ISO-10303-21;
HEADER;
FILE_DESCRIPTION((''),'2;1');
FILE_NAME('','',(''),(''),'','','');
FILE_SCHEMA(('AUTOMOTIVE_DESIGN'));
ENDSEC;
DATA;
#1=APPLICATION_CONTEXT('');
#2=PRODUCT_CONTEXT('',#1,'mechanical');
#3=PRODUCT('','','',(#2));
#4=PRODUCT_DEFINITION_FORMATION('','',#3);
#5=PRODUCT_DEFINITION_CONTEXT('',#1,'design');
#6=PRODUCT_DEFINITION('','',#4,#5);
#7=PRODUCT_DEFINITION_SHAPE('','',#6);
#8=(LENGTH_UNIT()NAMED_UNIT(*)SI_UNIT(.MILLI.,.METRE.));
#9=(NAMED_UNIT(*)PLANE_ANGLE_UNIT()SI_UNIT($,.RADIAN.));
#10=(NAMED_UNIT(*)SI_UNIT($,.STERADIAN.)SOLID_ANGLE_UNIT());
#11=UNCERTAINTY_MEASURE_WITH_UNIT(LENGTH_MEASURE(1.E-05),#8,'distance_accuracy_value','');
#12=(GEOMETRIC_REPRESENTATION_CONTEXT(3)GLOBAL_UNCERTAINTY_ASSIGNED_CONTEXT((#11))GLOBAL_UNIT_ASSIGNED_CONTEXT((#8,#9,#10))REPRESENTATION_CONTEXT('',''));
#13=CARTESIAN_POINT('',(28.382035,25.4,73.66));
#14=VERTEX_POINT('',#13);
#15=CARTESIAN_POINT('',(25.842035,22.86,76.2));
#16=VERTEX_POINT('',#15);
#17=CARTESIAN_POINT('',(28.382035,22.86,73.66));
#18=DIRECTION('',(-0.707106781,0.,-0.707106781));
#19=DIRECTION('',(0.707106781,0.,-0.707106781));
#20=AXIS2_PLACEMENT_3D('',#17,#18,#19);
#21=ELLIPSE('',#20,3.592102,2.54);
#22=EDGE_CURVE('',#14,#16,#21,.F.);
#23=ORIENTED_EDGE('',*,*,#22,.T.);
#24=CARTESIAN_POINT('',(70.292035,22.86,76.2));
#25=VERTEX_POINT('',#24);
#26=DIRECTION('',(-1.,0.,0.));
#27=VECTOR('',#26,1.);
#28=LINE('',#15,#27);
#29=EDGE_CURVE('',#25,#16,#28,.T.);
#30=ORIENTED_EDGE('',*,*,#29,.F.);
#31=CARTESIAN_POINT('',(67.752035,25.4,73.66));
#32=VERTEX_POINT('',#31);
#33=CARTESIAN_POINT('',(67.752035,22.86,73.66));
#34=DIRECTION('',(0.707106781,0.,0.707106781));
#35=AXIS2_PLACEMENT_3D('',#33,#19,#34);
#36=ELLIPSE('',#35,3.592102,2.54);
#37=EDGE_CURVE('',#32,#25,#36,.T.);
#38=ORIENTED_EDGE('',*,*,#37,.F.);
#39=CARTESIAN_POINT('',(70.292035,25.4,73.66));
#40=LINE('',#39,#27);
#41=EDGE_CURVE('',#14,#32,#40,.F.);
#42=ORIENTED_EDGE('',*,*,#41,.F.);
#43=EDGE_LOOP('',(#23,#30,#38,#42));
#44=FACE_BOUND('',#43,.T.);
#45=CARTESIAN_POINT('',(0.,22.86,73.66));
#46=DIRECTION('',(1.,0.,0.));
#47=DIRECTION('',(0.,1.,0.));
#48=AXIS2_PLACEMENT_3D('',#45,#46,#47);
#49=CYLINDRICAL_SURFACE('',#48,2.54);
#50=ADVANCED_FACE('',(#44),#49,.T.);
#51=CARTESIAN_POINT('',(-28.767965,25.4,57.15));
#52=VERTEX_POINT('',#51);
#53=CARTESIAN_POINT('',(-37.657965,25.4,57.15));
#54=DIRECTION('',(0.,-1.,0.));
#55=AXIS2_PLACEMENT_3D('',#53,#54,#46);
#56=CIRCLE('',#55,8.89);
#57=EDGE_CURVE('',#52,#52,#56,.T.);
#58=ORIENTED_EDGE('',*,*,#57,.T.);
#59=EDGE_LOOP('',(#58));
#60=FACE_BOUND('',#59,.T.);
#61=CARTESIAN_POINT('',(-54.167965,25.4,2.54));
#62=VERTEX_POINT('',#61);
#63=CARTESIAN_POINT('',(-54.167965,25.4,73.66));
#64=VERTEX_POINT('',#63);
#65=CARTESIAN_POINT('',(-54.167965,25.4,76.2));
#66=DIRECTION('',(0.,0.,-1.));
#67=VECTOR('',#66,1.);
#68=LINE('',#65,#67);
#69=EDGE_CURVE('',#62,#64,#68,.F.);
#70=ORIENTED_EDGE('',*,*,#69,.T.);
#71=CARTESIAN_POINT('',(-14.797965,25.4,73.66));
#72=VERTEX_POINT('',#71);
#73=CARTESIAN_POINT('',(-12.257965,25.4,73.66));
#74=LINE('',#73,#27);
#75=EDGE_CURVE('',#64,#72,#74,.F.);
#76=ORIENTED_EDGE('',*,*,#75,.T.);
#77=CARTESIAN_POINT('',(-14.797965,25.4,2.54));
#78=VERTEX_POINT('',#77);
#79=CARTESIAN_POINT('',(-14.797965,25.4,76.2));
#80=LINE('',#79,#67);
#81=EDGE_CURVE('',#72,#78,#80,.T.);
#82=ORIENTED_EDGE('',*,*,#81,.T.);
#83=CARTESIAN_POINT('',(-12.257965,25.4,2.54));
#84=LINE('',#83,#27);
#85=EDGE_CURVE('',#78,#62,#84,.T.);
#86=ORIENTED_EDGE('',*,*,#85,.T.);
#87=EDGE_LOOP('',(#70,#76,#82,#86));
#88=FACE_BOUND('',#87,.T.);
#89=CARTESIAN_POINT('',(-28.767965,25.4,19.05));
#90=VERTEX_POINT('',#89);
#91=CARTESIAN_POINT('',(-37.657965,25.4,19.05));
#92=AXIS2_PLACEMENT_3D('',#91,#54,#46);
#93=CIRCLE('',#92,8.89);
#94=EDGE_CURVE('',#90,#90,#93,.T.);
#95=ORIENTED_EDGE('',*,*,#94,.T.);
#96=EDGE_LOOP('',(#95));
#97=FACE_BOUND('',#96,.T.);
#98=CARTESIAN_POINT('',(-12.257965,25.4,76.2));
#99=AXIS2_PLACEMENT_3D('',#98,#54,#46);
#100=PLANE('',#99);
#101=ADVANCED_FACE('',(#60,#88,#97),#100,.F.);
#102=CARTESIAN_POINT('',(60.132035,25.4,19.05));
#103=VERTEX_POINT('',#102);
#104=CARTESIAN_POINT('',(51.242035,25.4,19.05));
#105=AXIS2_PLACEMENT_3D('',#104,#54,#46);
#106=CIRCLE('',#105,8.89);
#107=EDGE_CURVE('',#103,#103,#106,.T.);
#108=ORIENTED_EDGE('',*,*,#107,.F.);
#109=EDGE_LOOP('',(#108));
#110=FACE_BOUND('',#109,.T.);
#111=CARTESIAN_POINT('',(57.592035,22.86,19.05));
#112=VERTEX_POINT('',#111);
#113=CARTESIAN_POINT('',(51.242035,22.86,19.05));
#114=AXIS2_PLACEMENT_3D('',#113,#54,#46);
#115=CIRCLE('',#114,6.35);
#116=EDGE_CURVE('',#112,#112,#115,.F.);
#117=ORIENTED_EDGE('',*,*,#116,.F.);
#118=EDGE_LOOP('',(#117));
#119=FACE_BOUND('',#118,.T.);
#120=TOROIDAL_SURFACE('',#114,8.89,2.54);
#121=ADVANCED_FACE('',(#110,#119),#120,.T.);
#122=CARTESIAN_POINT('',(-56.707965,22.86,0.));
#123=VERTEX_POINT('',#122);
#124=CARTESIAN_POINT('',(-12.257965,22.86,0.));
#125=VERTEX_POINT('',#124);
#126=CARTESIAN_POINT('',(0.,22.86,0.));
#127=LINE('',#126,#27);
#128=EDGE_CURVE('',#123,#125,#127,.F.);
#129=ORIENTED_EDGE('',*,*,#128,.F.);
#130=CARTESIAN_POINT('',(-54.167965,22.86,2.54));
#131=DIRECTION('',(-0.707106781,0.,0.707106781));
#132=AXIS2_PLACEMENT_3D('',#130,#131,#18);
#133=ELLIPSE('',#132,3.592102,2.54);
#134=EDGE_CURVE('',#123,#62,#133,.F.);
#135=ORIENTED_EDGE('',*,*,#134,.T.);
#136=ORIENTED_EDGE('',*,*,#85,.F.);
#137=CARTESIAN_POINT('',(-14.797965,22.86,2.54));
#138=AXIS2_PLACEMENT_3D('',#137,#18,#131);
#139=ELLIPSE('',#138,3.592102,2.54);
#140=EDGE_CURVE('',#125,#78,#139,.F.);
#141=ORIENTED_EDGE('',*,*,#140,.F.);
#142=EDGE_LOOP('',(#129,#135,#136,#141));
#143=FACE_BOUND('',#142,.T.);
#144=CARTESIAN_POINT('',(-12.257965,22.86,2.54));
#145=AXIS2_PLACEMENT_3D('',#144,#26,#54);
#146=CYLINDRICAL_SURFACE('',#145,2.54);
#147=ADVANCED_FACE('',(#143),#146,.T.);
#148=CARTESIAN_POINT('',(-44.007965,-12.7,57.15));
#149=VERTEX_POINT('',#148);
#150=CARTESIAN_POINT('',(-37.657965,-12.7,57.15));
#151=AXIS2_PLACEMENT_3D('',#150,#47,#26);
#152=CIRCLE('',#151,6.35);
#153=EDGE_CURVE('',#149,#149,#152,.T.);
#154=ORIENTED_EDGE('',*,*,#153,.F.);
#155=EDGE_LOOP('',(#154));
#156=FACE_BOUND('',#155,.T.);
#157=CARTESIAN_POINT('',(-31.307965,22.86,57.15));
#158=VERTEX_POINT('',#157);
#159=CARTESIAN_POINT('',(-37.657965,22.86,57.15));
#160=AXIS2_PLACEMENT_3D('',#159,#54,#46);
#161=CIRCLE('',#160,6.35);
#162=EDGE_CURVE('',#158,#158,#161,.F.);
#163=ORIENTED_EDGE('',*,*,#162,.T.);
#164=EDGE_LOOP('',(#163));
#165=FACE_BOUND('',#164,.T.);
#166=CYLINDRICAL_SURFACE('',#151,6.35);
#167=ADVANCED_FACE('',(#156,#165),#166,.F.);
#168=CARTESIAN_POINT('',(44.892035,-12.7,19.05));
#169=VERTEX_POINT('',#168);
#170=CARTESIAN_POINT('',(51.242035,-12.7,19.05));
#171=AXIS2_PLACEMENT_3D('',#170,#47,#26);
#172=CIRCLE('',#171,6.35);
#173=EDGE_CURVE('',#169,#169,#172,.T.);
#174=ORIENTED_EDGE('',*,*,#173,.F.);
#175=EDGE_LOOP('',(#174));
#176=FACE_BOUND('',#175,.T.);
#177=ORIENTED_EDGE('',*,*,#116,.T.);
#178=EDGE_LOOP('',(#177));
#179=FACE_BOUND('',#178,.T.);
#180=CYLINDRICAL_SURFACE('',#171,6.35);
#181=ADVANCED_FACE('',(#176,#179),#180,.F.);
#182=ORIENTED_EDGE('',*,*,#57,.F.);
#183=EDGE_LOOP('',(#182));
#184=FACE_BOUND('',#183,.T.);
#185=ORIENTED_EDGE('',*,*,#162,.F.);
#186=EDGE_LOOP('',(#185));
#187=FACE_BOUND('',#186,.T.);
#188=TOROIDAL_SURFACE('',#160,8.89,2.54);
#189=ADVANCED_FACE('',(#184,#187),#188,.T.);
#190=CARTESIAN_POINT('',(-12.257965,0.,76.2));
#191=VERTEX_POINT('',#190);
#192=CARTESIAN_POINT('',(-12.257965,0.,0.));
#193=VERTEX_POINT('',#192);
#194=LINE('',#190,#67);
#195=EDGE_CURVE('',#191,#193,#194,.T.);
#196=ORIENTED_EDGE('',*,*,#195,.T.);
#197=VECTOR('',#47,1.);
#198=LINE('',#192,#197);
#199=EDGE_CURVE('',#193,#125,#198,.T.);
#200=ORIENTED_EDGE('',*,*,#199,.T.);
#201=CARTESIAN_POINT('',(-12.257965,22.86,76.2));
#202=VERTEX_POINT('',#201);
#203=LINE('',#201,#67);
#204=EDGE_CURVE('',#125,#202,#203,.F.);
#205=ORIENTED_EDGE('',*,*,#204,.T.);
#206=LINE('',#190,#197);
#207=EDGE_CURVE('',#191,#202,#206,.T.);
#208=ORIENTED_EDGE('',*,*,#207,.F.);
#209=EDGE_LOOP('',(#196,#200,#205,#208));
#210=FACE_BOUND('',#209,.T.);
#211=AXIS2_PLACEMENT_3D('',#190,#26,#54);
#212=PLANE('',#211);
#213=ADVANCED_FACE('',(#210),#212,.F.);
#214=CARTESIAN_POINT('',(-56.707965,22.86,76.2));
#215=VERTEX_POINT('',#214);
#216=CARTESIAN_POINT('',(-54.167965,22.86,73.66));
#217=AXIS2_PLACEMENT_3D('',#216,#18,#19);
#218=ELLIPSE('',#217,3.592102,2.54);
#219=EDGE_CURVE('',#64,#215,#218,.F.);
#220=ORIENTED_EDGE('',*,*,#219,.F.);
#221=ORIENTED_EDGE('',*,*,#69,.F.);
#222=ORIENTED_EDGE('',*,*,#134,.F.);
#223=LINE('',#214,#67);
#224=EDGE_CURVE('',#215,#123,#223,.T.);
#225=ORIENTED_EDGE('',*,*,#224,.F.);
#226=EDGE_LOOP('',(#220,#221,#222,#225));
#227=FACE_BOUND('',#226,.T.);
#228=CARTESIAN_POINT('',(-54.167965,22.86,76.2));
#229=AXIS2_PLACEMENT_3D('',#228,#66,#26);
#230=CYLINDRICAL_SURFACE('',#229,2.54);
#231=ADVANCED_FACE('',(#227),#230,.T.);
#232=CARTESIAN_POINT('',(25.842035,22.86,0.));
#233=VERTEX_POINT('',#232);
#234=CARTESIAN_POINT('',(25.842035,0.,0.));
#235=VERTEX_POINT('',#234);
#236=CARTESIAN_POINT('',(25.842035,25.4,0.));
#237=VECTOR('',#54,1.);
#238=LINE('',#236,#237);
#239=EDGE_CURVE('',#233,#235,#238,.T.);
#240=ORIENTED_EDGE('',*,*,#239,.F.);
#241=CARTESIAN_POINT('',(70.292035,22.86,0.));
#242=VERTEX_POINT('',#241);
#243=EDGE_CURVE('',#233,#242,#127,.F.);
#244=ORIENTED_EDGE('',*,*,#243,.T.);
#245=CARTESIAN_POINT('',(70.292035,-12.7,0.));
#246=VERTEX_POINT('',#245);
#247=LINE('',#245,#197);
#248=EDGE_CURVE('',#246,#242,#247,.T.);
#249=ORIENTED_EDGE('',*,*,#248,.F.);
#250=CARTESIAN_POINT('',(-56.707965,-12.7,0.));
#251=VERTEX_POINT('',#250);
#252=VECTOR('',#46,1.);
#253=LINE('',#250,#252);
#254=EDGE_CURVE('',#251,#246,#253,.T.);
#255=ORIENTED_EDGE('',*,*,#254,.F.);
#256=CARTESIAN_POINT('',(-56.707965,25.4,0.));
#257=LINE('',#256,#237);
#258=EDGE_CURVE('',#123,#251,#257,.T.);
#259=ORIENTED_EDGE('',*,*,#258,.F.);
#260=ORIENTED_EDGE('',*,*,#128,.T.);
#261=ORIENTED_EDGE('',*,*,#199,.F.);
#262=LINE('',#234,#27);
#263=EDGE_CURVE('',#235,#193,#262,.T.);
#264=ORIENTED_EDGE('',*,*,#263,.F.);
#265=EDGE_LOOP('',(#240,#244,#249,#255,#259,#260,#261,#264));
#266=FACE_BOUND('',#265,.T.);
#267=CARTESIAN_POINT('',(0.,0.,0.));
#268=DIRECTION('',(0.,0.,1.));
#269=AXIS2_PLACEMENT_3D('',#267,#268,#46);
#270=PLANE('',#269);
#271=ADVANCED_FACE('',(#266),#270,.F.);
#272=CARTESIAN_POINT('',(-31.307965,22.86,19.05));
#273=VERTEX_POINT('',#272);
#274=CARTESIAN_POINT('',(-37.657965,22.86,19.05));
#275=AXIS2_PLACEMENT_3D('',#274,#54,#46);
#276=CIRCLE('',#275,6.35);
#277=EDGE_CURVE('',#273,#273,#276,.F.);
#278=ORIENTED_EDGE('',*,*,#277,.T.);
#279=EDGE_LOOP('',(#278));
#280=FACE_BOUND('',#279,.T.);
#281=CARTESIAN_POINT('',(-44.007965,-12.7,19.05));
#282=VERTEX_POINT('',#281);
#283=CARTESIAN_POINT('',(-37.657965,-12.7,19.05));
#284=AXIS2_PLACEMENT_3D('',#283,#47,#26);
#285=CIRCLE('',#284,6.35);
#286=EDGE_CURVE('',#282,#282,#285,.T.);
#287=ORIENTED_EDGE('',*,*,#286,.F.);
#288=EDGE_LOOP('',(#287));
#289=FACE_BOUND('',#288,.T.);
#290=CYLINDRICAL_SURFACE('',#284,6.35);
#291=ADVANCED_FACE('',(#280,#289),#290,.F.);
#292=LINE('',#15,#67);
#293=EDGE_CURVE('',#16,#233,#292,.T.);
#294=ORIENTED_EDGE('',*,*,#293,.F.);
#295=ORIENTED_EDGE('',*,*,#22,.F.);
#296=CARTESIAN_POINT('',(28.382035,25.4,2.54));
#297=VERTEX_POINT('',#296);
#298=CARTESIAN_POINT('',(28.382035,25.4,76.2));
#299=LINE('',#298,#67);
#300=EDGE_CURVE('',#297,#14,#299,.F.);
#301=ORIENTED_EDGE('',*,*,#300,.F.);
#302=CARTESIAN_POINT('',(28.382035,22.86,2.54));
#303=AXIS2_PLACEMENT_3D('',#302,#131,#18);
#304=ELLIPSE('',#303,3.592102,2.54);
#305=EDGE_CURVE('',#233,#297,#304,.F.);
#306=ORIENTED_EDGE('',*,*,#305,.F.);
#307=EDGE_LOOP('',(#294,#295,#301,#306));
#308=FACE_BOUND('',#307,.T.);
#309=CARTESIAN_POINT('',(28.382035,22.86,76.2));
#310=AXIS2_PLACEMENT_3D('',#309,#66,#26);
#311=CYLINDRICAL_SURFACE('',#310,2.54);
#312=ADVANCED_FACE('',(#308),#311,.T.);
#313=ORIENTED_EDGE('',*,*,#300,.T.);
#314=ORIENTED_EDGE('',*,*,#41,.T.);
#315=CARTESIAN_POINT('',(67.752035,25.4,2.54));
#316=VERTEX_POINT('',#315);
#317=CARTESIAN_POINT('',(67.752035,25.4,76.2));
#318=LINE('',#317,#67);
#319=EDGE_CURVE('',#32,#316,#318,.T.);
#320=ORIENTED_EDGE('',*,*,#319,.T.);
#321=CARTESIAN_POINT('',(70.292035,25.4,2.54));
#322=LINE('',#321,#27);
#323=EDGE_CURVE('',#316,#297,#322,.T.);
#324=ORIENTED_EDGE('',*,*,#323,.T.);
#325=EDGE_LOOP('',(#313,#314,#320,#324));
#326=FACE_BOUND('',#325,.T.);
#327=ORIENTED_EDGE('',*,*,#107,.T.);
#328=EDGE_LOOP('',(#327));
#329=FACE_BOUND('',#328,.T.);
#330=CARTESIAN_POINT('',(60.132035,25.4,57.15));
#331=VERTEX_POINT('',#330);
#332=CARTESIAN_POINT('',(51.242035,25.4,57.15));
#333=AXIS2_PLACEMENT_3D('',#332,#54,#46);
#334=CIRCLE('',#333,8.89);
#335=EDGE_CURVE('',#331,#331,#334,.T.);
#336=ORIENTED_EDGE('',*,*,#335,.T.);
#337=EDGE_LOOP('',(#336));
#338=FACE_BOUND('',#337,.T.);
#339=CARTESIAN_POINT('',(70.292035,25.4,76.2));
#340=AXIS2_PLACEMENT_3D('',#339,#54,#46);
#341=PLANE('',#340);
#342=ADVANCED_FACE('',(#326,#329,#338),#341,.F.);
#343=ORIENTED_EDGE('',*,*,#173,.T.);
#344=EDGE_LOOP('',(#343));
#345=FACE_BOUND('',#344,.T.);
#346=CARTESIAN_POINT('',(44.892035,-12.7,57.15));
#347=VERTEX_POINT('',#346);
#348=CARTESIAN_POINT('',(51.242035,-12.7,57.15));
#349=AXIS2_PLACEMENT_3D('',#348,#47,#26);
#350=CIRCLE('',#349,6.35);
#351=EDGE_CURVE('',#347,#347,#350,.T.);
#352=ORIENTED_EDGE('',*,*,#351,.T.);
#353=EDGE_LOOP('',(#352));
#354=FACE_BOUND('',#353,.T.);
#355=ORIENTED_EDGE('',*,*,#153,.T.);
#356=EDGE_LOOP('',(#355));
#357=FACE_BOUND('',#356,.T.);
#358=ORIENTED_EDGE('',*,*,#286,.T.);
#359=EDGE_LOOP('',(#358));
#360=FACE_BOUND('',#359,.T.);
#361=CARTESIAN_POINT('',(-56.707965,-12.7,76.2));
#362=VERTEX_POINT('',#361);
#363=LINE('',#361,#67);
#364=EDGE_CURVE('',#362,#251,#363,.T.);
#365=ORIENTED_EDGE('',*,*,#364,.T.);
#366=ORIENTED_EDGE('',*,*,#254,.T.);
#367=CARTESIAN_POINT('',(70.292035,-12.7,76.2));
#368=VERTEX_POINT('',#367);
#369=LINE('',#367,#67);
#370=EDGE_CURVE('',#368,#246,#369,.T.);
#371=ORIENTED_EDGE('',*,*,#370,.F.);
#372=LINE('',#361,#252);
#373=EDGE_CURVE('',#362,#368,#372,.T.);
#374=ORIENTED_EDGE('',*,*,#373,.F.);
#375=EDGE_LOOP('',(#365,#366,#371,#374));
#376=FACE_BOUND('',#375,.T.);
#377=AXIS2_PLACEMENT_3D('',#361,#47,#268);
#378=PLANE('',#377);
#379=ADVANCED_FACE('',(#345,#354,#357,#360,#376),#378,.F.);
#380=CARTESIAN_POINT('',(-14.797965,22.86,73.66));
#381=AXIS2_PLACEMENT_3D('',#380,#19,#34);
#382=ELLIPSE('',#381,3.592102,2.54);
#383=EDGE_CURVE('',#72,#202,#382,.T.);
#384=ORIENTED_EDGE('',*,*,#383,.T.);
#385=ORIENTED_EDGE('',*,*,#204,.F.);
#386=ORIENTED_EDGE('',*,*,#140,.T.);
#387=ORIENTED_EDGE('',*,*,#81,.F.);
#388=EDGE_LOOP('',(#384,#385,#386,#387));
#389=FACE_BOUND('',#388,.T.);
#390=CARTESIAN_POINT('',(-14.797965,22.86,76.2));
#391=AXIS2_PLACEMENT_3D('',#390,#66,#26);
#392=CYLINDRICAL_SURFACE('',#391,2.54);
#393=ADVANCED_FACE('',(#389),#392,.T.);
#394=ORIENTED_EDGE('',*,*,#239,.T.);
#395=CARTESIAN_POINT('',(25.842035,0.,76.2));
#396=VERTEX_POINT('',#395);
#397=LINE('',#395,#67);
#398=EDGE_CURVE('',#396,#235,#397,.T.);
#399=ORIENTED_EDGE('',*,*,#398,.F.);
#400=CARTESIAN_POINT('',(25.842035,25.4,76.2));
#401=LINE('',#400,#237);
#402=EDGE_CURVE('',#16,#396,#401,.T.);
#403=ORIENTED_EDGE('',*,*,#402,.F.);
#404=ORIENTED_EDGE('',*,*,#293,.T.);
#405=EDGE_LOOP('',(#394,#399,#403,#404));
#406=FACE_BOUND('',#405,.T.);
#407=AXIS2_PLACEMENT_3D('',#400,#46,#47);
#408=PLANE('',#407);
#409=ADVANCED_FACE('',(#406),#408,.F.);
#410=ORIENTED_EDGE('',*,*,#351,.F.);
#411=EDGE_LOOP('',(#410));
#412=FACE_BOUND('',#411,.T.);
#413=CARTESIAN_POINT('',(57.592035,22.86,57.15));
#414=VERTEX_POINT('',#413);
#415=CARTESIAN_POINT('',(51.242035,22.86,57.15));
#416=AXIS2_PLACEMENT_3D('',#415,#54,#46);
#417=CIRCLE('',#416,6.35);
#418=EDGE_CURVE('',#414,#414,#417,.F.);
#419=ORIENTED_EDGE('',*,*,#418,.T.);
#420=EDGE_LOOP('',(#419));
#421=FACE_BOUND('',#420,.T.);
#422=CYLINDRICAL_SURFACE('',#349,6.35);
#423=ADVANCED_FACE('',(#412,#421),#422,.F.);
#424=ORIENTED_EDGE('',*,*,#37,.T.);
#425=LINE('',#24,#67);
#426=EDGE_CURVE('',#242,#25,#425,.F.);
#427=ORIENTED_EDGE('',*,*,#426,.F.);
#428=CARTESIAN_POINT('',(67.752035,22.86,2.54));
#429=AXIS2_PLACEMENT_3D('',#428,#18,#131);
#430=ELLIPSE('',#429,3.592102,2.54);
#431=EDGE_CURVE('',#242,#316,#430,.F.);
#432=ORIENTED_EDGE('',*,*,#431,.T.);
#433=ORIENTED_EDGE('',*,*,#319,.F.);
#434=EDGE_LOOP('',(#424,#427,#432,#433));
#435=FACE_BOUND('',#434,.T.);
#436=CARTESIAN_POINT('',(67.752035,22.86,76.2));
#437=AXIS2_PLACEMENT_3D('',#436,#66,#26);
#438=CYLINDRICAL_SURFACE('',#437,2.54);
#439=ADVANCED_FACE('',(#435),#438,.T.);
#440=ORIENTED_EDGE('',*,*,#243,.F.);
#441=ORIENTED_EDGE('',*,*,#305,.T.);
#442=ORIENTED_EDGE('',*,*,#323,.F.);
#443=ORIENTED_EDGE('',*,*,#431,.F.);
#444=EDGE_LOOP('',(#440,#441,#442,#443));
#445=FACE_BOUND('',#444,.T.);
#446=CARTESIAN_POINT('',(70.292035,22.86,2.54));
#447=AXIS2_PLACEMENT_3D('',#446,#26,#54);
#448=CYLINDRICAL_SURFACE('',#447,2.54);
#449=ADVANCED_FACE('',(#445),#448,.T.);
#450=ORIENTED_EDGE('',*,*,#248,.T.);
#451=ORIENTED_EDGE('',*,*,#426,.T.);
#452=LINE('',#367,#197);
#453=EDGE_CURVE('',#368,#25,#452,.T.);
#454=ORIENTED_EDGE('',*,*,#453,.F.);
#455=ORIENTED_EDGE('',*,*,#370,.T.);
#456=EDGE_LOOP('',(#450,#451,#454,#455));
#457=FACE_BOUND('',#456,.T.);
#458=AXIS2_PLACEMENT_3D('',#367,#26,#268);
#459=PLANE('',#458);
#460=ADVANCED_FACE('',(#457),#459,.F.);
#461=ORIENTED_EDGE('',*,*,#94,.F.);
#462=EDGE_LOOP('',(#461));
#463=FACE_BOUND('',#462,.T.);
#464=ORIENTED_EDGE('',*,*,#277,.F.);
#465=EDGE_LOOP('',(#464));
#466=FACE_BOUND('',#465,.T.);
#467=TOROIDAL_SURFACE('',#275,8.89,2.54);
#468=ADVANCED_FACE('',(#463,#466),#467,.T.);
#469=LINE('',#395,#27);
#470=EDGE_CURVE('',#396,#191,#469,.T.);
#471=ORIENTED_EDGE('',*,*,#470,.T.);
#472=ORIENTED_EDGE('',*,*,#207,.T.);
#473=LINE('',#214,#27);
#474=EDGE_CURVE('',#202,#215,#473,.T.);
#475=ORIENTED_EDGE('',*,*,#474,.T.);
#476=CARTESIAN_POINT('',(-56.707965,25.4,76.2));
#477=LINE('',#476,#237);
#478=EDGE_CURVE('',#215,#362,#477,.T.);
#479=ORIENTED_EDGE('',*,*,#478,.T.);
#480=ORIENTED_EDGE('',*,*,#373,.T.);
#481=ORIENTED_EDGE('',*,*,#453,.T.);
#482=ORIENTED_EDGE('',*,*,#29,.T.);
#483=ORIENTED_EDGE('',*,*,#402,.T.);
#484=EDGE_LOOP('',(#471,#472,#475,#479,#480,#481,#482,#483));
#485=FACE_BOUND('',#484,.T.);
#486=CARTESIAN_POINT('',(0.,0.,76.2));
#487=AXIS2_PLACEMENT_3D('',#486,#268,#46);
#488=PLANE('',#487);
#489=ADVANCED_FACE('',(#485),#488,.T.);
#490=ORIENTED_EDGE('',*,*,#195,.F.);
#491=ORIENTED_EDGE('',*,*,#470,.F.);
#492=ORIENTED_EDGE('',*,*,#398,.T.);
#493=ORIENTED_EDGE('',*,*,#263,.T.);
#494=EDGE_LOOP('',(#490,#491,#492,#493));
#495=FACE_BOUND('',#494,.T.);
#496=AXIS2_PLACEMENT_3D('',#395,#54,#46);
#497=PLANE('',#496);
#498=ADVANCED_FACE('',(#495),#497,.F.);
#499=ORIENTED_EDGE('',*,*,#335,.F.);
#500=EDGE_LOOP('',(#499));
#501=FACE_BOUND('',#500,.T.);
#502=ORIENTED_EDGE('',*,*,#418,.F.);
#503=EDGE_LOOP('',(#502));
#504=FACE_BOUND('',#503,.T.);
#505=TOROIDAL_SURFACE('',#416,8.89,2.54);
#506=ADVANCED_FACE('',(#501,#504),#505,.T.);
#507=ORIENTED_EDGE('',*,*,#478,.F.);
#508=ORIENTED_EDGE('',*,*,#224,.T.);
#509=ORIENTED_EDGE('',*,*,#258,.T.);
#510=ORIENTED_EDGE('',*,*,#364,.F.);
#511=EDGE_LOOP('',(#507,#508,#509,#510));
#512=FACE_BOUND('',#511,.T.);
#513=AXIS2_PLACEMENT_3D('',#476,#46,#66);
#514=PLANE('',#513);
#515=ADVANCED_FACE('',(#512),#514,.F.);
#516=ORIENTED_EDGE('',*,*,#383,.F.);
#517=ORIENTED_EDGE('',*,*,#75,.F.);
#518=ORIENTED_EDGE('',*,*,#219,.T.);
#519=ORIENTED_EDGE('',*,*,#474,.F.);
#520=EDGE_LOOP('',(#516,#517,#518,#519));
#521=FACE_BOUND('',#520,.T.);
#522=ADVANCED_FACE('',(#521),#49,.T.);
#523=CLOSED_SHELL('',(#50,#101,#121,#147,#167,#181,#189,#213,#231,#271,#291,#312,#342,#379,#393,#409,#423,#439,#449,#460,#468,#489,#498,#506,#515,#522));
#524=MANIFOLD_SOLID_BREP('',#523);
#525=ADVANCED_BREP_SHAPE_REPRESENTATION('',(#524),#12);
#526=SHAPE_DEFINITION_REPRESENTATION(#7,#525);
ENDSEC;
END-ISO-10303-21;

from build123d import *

# Parameters (mm, degrees)
BOSS_EXTRUDE1_DEPTH = 76.2
SKETCH2_R           = 6.35
CUT_EXTRUDE1_DEPTH  = 111.449174947
FILLET1_R           = 2.54


with BuildPart() as part:
    # Sketch1 → Boss-Extrude1 (new body)
    with BuildSketch(Plane.XY):
        Polygon((-56.707964559, -12.7), (70.292035441, -12.7), (70.292035441, 25.4), (25.842035441, 25.4), (25.842035441, 0), (-12.257964559, 0), (-12.257964559, 25.4), (-56.707964559, 25.4), align=None)
    extrude(amount=BOSS_EXTRUDE1_DEPTH)

    # Sketch2 → Cut-Extrude1 (cut, through all)
    with BuildSketch(Plane(origin=(0, 25.4, 0), x_dir=(1, 0, 0), z_dir=(0, 1, 0))):
        with Locations(Location((-37.657964559, -19.05, 0), (0, 0, 180))):
            Circle(SKETCH2_R)
        with Locations(Location((-37.657964559, -57.15, 0), (0, 0, 180))):
            Circle(SKETCH2_R)
        with Locations(Location((51.242035441, -19.05, 0), (0, 0, 180))):
            Circle(SKETCH2_R)
        with Locations(Location((51.242035441, -57.15, 0), (0, 0, 180))):
            Circle(SKETCH2_R)
    extrude(amount=-CUT_EXTRUDE1_DEPTH, mode=Mode.SUBTRACT)

    # Fillet1
    fillet1_edges = [part.edges().sort_by_distance(p)[0] for p in [
        (-34.482964559, 25.4, 0),
        (-12.257964559, 25.4, 38.1),
        (25.842035441, 25.4, 38.1),
        (70.292035441, 25.4, 38.1),
        (-56.707964559, 25.4, 38.1),
        (48.067035441, 25.4, 76.2),
        (-31.307964559, 25.4, 57.15),
        (57.592035441, 25.4, 19.05),
        (57.592035441, 25.4, 57.15),
        (-31.307964559, 25.4, 19.05),
        (-34.482964559, 25.4, 76.2),
        (48.067035441, 25.4, 0),
    ]]
    fillet(fillet1_edges, radius=FILLET1_R)


solid = part.part
